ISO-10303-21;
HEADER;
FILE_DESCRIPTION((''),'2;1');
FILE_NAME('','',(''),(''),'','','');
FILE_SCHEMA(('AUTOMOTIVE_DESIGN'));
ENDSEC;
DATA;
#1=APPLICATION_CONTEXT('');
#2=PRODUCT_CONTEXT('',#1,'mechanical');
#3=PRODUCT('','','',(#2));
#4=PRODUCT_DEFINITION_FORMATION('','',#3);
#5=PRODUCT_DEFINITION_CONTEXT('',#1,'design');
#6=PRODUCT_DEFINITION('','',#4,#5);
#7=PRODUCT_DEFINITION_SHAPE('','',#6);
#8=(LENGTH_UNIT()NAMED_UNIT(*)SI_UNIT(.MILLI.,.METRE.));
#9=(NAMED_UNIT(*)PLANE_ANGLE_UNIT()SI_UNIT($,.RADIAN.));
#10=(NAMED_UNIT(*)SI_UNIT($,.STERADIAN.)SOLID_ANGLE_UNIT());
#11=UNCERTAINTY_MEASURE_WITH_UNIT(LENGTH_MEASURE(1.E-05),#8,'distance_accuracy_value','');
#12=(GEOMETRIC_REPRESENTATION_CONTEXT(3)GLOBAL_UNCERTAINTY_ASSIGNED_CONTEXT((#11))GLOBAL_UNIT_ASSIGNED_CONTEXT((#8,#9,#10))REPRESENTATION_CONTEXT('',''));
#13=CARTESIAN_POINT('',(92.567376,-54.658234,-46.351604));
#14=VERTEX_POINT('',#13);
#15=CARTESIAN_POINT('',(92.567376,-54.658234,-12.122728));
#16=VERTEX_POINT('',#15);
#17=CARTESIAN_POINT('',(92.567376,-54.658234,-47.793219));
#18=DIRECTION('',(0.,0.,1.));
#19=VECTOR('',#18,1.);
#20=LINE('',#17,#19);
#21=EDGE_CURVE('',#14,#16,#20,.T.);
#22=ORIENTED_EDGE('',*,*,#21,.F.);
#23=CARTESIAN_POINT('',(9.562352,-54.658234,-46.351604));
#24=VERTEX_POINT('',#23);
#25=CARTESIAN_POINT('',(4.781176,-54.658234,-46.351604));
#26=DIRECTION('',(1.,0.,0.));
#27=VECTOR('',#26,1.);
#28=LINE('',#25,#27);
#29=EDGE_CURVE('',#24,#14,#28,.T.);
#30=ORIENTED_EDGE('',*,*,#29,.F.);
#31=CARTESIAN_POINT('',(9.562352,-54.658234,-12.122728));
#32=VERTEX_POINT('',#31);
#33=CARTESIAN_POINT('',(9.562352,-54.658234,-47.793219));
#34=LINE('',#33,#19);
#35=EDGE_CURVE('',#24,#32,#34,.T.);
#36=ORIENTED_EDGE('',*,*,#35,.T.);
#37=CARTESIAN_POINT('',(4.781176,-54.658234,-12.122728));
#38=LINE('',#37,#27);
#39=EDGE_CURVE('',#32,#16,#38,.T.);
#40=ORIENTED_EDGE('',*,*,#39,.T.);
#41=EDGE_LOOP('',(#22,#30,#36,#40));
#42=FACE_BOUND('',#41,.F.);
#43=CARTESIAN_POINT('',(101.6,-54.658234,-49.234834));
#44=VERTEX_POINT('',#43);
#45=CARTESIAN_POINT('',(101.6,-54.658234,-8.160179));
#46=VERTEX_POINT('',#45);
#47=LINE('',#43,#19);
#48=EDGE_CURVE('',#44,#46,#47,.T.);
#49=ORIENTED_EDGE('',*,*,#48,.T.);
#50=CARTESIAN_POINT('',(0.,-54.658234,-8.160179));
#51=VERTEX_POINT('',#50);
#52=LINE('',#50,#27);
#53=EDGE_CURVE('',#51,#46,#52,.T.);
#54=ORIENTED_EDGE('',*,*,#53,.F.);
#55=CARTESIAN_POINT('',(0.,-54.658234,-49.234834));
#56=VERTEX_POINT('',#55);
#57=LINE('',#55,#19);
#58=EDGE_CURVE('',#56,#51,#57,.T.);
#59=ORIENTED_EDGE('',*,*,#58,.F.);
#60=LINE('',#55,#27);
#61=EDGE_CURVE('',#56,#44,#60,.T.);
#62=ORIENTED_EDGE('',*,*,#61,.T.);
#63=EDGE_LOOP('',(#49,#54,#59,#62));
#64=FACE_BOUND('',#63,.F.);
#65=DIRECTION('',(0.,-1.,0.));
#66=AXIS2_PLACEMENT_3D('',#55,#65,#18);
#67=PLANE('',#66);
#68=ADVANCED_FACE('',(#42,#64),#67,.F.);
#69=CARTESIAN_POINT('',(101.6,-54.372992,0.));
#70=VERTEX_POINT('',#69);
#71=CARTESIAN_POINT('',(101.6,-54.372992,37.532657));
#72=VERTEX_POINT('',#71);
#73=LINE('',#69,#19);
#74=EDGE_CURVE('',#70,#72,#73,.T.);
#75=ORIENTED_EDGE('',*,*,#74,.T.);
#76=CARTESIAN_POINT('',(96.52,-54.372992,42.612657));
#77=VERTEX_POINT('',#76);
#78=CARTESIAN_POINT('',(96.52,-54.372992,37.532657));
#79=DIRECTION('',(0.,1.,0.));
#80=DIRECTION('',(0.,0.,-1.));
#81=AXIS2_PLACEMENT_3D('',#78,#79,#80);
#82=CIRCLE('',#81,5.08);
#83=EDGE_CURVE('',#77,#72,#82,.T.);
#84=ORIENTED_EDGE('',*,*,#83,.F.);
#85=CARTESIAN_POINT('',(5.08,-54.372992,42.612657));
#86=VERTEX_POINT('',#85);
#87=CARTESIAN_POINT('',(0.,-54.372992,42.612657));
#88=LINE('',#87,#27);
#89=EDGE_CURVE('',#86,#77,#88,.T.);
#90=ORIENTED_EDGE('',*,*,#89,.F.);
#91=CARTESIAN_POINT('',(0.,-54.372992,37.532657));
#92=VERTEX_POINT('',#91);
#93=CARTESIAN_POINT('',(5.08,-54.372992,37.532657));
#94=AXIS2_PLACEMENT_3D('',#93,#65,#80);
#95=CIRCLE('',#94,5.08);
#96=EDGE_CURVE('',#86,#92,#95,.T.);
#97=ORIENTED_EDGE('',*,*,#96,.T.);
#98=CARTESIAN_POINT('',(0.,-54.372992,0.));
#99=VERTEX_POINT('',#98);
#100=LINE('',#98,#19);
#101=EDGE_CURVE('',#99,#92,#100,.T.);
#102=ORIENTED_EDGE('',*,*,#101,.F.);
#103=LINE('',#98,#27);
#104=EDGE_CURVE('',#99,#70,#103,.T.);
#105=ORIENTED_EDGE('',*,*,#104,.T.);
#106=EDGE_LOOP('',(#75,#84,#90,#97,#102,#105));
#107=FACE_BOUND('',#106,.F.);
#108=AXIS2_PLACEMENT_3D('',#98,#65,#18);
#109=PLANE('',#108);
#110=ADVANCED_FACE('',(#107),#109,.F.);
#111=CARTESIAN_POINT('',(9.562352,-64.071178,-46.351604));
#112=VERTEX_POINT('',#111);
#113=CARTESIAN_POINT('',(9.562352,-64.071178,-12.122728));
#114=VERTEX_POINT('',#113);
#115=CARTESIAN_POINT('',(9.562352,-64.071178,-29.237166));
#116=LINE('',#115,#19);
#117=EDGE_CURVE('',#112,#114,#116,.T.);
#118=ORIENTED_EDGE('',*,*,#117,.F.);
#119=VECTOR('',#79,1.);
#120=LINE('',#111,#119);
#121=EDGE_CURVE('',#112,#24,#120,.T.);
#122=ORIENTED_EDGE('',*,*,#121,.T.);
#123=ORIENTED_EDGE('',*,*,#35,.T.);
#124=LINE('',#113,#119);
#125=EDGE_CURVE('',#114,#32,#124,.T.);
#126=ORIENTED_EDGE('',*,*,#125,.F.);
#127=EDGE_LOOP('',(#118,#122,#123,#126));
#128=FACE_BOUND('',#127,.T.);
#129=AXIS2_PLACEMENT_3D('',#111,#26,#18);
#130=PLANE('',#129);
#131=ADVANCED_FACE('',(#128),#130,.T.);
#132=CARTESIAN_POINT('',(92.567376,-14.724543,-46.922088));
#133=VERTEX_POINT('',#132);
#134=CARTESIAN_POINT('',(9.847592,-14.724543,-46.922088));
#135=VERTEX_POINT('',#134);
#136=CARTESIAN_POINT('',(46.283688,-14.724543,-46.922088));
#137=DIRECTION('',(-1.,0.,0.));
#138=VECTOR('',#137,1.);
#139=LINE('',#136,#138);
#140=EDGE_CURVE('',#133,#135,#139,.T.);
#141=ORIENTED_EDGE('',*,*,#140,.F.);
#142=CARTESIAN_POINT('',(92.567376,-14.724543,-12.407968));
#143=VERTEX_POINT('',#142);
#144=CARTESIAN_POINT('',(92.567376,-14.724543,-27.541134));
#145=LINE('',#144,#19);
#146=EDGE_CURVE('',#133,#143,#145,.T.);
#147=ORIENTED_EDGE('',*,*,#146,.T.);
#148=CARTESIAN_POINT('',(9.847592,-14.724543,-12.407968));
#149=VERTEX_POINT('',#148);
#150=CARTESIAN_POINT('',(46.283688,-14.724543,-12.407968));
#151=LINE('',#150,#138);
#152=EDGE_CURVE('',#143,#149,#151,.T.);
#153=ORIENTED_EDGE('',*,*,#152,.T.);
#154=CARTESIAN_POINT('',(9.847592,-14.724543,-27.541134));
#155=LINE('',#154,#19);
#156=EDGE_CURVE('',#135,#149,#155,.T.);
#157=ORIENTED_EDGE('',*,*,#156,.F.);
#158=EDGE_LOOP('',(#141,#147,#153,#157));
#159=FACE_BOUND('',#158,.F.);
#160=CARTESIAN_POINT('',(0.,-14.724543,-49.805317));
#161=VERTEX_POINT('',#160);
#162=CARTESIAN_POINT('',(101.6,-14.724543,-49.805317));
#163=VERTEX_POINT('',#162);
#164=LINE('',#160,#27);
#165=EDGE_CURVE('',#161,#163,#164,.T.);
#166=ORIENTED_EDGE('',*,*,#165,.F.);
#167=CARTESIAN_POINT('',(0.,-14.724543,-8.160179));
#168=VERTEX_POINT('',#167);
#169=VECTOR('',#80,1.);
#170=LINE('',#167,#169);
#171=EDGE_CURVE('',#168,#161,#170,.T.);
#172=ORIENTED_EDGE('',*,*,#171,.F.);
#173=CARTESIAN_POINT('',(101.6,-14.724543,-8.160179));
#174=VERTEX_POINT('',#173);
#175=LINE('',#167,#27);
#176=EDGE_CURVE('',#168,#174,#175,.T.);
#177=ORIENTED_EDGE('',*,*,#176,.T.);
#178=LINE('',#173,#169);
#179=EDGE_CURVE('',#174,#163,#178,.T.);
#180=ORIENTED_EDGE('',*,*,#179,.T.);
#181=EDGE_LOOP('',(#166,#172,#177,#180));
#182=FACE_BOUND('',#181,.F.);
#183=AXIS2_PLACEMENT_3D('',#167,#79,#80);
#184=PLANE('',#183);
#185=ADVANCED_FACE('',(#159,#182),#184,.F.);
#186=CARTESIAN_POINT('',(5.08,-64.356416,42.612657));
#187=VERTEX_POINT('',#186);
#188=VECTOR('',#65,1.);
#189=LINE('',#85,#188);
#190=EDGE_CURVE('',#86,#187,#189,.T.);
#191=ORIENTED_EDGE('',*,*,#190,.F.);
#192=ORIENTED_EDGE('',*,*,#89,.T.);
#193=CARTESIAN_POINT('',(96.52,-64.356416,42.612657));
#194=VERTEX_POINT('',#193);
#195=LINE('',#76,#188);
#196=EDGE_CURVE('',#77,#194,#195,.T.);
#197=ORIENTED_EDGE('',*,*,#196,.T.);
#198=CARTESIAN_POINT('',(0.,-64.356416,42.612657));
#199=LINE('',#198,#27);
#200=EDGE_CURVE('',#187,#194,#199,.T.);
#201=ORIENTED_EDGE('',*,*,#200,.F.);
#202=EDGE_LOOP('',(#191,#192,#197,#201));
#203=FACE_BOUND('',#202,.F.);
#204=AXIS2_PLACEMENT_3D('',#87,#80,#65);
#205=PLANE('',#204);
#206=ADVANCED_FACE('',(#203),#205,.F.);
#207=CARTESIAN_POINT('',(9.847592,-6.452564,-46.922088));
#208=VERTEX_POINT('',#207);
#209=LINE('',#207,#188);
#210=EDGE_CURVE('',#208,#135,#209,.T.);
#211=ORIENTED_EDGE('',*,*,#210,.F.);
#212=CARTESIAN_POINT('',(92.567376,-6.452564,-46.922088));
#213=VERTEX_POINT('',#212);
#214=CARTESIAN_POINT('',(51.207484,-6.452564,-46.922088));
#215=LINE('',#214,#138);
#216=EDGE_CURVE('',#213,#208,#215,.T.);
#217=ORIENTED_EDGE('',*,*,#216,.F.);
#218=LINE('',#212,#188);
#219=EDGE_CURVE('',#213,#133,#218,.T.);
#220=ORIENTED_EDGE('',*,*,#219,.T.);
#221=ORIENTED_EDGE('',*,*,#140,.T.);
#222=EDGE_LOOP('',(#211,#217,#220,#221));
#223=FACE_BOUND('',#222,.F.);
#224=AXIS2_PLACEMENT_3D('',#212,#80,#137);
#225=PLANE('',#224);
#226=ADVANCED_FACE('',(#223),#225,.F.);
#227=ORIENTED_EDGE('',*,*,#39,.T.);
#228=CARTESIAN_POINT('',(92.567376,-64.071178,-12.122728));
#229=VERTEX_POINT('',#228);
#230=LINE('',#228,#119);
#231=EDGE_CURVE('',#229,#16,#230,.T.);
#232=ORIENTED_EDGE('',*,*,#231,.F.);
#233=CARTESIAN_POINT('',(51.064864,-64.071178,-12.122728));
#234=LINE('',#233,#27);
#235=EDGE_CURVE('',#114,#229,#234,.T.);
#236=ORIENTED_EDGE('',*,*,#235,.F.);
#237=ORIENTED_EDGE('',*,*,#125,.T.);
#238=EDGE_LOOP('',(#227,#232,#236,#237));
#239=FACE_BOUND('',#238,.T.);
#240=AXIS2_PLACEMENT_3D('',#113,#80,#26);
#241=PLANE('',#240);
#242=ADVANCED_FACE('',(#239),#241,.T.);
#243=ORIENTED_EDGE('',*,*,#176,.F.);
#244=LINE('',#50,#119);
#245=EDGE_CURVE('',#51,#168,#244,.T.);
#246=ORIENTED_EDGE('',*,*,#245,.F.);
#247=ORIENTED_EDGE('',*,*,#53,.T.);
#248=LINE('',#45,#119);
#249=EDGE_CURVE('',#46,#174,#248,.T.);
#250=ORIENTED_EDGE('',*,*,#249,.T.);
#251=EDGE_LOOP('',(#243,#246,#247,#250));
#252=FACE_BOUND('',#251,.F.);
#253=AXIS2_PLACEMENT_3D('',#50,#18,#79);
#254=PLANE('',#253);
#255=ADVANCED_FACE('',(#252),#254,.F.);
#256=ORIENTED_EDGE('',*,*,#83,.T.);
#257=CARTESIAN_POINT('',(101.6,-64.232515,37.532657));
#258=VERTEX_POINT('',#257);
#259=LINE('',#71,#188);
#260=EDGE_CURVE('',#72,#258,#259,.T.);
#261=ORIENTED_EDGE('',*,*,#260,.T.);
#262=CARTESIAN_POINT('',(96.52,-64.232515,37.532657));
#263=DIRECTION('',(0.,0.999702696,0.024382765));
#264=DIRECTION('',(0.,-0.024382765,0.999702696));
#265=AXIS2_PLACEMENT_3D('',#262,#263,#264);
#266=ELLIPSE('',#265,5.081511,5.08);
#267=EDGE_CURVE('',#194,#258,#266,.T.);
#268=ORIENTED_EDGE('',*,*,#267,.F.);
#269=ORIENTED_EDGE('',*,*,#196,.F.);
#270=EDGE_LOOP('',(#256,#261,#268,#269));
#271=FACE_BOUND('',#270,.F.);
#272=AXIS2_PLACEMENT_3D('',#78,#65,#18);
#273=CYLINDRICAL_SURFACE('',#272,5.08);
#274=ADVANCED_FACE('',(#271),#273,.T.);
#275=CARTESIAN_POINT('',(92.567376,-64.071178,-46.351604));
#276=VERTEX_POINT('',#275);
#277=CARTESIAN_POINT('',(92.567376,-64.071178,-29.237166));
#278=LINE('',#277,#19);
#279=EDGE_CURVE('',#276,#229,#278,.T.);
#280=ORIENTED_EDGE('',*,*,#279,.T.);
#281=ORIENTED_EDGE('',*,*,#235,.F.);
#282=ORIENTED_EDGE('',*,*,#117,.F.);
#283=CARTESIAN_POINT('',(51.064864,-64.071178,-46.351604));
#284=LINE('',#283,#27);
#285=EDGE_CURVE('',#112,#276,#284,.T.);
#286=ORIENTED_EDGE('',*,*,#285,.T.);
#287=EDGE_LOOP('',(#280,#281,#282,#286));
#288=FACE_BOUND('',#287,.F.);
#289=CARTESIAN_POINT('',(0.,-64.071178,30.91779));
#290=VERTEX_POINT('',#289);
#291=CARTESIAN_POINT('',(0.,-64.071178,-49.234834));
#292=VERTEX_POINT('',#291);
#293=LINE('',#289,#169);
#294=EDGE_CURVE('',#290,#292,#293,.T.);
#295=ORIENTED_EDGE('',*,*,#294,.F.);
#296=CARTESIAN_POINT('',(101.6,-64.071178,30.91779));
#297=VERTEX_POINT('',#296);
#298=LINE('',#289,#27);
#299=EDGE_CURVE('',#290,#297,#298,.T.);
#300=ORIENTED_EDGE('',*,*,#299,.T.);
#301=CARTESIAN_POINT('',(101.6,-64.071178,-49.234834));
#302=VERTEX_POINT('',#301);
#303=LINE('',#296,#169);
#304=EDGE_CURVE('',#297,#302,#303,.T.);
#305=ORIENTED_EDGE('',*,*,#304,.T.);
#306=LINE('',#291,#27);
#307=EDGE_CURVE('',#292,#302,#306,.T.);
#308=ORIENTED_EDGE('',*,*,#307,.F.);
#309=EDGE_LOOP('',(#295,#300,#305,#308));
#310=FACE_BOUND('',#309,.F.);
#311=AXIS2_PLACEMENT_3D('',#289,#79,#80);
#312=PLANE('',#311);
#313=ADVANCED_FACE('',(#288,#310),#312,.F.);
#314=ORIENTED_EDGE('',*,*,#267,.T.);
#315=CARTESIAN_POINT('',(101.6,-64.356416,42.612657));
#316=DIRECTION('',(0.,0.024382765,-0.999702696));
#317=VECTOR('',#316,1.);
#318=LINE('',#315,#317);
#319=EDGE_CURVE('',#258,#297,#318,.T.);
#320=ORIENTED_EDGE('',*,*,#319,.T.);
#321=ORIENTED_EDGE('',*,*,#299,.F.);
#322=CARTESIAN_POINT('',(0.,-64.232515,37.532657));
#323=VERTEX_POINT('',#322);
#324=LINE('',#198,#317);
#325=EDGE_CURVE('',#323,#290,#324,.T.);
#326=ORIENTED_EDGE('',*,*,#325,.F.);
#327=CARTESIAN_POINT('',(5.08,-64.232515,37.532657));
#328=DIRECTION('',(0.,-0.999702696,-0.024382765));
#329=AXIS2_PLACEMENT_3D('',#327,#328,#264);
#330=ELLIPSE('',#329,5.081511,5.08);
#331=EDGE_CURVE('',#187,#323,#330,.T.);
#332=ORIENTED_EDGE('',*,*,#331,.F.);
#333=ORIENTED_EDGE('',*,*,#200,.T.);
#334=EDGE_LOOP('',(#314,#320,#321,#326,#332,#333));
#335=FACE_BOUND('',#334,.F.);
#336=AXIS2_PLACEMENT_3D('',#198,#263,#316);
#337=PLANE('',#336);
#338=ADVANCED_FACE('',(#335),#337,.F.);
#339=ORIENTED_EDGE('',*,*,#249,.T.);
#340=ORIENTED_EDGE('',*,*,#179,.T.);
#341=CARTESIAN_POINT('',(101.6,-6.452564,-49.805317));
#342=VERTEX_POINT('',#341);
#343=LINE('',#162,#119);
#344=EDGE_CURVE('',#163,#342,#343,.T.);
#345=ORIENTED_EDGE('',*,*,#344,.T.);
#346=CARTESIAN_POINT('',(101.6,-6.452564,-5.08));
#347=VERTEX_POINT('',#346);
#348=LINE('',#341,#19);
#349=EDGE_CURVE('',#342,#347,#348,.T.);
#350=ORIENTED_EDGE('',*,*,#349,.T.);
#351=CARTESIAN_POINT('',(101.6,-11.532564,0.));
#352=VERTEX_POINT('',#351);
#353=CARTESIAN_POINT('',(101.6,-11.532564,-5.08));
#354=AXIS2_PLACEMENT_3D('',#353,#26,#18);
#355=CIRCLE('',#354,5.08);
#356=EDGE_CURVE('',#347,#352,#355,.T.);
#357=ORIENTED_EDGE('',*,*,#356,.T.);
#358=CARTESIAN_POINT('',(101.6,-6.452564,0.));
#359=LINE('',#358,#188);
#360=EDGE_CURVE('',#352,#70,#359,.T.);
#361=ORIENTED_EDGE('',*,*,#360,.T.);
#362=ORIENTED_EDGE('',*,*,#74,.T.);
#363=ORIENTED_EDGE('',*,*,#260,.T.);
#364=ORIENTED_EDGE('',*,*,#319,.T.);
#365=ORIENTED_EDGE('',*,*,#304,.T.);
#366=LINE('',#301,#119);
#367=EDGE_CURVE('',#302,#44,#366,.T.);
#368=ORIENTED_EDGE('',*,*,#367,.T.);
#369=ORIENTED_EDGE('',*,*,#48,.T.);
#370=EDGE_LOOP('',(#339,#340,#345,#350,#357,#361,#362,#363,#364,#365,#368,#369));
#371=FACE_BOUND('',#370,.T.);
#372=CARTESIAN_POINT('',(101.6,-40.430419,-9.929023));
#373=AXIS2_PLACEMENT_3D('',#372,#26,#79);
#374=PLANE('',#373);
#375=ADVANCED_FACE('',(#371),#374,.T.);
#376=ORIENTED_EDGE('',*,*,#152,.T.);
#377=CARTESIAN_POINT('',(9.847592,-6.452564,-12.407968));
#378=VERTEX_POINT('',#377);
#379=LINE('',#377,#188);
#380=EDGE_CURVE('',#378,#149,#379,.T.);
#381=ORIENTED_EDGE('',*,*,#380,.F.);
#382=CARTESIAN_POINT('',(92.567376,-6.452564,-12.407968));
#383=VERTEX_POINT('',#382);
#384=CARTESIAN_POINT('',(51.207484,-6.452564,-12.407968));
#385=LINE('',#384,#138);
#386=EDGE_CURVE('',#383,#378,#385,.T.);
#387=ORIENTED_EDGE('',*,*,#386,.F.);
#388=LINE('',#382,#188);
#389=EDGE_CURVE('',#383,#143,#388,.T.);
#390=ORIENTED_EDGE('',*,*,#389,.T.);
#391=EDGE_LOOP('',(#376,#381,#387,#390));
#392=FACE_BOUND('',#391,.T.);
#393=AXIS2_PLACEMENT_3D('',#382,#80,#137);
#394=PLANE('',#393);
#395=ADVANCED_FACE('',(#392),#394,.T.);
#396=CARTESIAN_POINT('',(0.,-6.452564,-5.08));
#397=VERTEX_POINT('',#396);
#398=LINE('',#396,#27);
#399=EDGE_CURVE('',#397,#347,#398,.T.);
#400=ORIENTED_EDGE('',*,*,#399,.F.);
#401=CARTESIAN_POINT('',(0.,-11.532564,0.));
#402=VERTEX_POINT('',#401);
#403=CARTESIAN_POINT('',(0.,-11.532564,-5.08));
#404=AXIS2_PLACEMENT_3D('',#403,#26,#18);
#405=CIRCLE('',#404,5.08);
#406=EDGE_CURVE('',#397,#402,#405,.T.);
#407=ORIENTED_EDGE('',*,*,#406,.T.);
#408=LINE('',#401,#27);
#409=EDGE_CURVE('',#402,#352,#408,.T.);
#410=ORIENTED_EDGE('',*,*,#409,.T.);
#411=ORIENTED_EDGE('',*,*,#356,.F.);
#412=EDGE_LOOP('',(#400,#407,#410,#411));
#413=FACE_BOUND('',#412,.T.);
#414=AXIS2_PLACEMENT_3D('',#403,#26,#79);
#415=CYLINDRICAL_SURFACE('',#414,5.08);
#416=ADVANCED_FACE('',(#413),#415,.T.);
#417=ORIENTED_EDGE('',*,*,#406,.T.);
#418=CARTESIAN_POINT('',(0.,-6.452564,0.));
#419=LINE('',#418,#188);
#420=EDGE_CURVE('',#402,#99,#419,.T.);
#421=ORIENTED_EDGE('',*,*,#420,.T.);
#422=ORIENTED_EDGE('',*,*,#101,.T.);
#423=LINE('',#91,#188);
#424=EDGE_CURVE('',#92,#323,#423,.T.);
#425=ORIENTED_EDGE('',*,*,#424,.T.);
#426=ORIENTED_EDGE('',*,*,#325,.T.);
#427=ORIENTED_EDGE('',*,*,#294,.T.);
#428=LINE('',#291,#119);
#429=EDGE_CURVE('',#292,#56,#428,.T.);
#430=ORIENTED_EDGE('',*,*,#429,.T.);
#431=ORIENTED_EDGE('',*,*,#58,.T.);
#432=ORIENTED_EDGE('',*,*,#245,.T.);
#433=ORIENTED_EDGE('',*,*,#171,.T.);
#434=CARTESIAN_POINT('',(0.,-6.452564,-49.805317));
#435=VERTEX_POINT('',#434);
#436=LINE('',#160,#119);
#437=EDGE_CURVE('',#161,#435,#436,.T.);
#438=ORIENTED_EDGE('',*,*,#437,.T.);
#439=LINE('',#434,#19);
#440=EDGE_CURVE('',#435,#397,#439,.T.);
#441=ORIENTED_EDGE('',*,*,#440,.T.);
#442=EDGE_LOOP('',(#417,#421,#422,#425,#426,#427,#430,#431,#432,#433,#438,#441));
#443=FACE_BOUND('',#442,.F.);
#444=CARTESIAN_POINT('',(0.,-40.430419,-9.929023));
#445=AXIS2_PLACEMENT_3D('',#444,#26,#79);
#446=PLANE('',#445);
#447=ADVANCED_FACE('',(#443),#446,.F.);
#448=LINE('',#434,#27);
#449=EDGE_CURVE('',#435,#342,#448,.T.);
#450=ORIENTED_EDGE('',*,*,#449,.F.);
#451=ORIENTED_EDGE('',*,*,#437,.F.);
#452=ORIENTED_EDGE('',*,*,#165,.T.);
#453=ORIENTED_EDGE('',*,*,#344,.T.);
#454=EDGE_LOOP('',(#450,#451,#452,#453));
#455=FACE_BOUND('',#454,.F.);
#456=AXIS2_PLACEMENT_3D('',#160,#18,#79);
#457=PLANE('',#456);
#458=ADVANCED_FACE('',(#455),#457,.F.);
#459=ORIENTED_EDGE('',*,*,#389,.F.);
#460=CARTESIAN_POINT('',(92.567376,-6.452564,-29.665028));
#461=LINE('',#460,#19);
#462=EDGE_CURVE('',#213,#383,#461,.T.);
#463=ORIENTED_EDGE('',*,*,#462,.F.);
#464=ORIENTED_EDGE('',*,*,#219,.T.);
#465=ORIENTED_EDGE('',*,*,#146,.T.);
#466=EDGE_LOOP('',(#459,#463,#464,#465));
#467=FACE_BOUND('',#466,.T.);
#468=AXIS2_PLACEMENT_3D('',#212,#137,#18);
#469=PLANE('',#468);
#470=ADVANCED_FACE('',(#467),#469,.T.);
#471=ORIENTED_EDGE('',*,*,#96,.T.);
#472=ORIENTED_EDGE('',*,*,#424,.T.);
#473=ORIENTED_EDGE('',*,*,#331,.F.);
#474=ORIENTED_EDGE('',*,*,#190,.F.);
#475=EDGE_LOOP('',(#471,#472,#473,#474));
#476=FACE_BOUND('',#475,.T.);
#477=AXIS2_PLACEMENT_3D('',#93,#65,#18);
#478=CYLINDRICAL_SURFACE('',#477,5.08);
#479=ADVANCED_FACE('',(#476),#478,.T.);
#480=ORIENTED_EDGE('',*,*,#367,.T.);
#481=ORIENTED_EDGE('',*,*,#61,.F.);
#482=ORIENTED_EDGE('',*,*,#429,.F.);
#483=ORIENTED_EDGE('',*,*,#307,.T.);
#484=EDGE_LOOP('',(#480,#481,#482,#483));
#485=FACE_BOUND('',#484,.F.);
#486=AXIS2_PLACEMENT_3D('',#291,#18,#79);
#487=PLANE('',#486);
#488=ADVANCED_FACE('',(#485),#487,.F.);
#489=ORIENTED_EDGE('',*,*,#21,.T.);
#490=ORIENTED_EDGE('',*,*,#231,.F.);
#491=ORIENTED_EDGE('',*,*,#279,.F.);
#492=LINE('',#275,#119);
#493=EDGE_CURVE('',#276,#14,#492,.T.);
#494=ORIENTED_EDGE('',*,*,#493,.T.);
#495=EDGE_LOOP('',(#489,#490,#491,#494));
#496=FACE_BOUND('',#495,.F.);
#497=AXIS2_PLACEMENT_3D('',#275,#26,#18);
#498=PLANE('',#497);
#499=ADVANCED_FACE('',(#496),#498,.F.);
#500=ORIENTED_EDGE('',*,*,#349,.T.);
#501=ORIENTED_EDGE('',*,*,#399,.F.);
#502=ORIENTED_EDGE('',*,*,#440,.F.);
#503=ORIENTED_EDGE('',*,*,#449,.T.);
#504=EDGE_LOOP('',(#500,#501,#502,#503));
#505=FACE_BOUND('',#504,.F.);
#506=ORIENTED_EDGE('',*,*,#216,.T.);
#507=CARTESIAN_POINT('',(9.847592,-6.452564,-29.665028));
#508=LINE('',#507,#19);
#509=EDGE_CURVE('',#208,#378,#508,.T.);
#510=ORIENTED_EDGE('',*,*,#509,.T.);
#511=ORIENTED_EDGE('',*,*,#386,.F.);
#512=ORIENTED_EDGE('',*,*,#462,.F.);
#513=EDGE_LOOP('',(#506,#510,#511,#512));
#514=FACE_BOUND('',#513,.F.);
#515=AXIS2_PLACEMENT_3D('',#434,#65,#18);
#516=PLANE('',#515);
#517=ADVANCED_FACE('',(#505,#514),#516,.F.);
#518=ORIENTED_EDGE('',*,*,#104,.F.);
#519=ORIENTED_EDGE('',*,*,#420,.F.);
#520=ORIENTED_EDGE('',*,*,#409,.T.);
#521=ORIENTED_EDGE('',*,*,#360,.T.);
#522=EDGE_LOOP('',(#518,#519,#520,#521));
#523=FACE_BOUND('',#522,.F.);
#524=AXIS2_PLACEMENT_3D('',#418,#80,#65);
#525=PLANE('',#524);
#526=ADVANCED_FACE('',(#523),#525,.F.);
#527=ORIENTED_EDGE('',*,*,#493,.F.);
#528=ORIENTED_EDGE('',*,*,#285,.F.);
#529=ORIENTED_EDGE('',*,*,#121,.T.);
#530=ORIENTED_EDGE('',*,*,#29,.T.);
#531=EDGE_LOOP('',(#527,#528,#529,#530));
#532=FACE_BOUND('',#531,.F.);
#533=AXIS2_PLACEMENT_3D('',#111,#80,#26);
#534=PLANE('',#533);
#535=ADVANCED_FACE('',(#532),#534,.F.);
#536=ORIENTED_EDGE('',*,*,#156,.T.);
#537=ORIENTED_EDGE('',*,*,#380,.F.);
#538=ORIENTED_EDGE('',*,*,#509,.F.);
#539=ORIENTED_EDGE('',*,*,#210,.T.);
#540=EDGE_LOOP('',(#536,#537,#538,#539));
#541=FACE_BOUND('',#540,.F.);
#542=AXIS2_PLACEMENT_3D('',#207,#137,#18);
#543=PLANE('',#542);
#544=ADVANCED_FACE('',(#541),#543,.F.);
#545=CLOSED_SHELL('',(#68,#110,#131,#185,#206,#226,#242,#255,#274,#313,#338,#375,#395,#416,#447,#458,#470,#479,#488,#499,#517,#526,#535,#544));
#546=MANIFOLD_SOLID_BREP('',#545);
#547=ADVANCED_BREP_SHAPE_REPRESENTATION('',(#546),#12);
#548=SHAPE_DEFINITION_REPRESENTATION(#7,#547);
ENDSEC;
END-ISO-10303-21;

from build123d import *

# Parameters (mm, degrees)
F1_DEPTH = 101.6
F2_R     = 5.08
F4_W     = 83.005025
F4_H     = 34.228876
F5_DEPTH = 25.4
F3_W     = 82.719785
F3_H     = 34.51412
F6_DEPTH = 25.4


with BuildPart() as f1:
    # F0 (on Right) → F1 (new body)
    with BuildSketch(Plane.YZ):
        Polygon((-64.356416, 42.612657), (-64.071178, 30.91779), (-64.071178, -49.234834), (-54.658234, -49.234834), (-54.658234, -8.160179), (-14.724543, -8.160179), (-14.724543, -49.805317), (-6.452564, -49.805317), (-6.452564, -7.589698), (-6.452564, 0), (-54.372992, 0), (-54.372992, 42.612657), align=None)
    extrude(amount=F1_DEPTH)

    # F2
    f2_edges = [f1.edges().sort_by_distance(p)[0] for p in [
        (101.6, -59.364704, 42.612657),
        (0, -59.364704, 42.612657),
        (50.8, -6.452564, 0),
    ]]
    fillet(f2_edges, radius=F2_R)

    # F4 (on face) → F5 (cut)
    with BuildSketch(Plane.XZ.offset(64.071178)):
        with Locations((51.064864, -29.237166)):
            Rectangle(F4_W, F4_H)
    extrude(amount=-F5_DEPTH, mode=Mode.SUBTRACT)

    # F3 (on face) → F6 (cut)
    with BuildSketch(Plane(origin=(0, -6.452564, 0), x_dir=(-1, 0, 0), z_dir=(0, 1, 0))):
        with Locations((-51.207484, -29.665028)):
            Rectangle(F3_W, F3_H)
    extrude(amount=-F6_DEPTH, mode=Mode.SUBTRACT)


solid = f1.part
